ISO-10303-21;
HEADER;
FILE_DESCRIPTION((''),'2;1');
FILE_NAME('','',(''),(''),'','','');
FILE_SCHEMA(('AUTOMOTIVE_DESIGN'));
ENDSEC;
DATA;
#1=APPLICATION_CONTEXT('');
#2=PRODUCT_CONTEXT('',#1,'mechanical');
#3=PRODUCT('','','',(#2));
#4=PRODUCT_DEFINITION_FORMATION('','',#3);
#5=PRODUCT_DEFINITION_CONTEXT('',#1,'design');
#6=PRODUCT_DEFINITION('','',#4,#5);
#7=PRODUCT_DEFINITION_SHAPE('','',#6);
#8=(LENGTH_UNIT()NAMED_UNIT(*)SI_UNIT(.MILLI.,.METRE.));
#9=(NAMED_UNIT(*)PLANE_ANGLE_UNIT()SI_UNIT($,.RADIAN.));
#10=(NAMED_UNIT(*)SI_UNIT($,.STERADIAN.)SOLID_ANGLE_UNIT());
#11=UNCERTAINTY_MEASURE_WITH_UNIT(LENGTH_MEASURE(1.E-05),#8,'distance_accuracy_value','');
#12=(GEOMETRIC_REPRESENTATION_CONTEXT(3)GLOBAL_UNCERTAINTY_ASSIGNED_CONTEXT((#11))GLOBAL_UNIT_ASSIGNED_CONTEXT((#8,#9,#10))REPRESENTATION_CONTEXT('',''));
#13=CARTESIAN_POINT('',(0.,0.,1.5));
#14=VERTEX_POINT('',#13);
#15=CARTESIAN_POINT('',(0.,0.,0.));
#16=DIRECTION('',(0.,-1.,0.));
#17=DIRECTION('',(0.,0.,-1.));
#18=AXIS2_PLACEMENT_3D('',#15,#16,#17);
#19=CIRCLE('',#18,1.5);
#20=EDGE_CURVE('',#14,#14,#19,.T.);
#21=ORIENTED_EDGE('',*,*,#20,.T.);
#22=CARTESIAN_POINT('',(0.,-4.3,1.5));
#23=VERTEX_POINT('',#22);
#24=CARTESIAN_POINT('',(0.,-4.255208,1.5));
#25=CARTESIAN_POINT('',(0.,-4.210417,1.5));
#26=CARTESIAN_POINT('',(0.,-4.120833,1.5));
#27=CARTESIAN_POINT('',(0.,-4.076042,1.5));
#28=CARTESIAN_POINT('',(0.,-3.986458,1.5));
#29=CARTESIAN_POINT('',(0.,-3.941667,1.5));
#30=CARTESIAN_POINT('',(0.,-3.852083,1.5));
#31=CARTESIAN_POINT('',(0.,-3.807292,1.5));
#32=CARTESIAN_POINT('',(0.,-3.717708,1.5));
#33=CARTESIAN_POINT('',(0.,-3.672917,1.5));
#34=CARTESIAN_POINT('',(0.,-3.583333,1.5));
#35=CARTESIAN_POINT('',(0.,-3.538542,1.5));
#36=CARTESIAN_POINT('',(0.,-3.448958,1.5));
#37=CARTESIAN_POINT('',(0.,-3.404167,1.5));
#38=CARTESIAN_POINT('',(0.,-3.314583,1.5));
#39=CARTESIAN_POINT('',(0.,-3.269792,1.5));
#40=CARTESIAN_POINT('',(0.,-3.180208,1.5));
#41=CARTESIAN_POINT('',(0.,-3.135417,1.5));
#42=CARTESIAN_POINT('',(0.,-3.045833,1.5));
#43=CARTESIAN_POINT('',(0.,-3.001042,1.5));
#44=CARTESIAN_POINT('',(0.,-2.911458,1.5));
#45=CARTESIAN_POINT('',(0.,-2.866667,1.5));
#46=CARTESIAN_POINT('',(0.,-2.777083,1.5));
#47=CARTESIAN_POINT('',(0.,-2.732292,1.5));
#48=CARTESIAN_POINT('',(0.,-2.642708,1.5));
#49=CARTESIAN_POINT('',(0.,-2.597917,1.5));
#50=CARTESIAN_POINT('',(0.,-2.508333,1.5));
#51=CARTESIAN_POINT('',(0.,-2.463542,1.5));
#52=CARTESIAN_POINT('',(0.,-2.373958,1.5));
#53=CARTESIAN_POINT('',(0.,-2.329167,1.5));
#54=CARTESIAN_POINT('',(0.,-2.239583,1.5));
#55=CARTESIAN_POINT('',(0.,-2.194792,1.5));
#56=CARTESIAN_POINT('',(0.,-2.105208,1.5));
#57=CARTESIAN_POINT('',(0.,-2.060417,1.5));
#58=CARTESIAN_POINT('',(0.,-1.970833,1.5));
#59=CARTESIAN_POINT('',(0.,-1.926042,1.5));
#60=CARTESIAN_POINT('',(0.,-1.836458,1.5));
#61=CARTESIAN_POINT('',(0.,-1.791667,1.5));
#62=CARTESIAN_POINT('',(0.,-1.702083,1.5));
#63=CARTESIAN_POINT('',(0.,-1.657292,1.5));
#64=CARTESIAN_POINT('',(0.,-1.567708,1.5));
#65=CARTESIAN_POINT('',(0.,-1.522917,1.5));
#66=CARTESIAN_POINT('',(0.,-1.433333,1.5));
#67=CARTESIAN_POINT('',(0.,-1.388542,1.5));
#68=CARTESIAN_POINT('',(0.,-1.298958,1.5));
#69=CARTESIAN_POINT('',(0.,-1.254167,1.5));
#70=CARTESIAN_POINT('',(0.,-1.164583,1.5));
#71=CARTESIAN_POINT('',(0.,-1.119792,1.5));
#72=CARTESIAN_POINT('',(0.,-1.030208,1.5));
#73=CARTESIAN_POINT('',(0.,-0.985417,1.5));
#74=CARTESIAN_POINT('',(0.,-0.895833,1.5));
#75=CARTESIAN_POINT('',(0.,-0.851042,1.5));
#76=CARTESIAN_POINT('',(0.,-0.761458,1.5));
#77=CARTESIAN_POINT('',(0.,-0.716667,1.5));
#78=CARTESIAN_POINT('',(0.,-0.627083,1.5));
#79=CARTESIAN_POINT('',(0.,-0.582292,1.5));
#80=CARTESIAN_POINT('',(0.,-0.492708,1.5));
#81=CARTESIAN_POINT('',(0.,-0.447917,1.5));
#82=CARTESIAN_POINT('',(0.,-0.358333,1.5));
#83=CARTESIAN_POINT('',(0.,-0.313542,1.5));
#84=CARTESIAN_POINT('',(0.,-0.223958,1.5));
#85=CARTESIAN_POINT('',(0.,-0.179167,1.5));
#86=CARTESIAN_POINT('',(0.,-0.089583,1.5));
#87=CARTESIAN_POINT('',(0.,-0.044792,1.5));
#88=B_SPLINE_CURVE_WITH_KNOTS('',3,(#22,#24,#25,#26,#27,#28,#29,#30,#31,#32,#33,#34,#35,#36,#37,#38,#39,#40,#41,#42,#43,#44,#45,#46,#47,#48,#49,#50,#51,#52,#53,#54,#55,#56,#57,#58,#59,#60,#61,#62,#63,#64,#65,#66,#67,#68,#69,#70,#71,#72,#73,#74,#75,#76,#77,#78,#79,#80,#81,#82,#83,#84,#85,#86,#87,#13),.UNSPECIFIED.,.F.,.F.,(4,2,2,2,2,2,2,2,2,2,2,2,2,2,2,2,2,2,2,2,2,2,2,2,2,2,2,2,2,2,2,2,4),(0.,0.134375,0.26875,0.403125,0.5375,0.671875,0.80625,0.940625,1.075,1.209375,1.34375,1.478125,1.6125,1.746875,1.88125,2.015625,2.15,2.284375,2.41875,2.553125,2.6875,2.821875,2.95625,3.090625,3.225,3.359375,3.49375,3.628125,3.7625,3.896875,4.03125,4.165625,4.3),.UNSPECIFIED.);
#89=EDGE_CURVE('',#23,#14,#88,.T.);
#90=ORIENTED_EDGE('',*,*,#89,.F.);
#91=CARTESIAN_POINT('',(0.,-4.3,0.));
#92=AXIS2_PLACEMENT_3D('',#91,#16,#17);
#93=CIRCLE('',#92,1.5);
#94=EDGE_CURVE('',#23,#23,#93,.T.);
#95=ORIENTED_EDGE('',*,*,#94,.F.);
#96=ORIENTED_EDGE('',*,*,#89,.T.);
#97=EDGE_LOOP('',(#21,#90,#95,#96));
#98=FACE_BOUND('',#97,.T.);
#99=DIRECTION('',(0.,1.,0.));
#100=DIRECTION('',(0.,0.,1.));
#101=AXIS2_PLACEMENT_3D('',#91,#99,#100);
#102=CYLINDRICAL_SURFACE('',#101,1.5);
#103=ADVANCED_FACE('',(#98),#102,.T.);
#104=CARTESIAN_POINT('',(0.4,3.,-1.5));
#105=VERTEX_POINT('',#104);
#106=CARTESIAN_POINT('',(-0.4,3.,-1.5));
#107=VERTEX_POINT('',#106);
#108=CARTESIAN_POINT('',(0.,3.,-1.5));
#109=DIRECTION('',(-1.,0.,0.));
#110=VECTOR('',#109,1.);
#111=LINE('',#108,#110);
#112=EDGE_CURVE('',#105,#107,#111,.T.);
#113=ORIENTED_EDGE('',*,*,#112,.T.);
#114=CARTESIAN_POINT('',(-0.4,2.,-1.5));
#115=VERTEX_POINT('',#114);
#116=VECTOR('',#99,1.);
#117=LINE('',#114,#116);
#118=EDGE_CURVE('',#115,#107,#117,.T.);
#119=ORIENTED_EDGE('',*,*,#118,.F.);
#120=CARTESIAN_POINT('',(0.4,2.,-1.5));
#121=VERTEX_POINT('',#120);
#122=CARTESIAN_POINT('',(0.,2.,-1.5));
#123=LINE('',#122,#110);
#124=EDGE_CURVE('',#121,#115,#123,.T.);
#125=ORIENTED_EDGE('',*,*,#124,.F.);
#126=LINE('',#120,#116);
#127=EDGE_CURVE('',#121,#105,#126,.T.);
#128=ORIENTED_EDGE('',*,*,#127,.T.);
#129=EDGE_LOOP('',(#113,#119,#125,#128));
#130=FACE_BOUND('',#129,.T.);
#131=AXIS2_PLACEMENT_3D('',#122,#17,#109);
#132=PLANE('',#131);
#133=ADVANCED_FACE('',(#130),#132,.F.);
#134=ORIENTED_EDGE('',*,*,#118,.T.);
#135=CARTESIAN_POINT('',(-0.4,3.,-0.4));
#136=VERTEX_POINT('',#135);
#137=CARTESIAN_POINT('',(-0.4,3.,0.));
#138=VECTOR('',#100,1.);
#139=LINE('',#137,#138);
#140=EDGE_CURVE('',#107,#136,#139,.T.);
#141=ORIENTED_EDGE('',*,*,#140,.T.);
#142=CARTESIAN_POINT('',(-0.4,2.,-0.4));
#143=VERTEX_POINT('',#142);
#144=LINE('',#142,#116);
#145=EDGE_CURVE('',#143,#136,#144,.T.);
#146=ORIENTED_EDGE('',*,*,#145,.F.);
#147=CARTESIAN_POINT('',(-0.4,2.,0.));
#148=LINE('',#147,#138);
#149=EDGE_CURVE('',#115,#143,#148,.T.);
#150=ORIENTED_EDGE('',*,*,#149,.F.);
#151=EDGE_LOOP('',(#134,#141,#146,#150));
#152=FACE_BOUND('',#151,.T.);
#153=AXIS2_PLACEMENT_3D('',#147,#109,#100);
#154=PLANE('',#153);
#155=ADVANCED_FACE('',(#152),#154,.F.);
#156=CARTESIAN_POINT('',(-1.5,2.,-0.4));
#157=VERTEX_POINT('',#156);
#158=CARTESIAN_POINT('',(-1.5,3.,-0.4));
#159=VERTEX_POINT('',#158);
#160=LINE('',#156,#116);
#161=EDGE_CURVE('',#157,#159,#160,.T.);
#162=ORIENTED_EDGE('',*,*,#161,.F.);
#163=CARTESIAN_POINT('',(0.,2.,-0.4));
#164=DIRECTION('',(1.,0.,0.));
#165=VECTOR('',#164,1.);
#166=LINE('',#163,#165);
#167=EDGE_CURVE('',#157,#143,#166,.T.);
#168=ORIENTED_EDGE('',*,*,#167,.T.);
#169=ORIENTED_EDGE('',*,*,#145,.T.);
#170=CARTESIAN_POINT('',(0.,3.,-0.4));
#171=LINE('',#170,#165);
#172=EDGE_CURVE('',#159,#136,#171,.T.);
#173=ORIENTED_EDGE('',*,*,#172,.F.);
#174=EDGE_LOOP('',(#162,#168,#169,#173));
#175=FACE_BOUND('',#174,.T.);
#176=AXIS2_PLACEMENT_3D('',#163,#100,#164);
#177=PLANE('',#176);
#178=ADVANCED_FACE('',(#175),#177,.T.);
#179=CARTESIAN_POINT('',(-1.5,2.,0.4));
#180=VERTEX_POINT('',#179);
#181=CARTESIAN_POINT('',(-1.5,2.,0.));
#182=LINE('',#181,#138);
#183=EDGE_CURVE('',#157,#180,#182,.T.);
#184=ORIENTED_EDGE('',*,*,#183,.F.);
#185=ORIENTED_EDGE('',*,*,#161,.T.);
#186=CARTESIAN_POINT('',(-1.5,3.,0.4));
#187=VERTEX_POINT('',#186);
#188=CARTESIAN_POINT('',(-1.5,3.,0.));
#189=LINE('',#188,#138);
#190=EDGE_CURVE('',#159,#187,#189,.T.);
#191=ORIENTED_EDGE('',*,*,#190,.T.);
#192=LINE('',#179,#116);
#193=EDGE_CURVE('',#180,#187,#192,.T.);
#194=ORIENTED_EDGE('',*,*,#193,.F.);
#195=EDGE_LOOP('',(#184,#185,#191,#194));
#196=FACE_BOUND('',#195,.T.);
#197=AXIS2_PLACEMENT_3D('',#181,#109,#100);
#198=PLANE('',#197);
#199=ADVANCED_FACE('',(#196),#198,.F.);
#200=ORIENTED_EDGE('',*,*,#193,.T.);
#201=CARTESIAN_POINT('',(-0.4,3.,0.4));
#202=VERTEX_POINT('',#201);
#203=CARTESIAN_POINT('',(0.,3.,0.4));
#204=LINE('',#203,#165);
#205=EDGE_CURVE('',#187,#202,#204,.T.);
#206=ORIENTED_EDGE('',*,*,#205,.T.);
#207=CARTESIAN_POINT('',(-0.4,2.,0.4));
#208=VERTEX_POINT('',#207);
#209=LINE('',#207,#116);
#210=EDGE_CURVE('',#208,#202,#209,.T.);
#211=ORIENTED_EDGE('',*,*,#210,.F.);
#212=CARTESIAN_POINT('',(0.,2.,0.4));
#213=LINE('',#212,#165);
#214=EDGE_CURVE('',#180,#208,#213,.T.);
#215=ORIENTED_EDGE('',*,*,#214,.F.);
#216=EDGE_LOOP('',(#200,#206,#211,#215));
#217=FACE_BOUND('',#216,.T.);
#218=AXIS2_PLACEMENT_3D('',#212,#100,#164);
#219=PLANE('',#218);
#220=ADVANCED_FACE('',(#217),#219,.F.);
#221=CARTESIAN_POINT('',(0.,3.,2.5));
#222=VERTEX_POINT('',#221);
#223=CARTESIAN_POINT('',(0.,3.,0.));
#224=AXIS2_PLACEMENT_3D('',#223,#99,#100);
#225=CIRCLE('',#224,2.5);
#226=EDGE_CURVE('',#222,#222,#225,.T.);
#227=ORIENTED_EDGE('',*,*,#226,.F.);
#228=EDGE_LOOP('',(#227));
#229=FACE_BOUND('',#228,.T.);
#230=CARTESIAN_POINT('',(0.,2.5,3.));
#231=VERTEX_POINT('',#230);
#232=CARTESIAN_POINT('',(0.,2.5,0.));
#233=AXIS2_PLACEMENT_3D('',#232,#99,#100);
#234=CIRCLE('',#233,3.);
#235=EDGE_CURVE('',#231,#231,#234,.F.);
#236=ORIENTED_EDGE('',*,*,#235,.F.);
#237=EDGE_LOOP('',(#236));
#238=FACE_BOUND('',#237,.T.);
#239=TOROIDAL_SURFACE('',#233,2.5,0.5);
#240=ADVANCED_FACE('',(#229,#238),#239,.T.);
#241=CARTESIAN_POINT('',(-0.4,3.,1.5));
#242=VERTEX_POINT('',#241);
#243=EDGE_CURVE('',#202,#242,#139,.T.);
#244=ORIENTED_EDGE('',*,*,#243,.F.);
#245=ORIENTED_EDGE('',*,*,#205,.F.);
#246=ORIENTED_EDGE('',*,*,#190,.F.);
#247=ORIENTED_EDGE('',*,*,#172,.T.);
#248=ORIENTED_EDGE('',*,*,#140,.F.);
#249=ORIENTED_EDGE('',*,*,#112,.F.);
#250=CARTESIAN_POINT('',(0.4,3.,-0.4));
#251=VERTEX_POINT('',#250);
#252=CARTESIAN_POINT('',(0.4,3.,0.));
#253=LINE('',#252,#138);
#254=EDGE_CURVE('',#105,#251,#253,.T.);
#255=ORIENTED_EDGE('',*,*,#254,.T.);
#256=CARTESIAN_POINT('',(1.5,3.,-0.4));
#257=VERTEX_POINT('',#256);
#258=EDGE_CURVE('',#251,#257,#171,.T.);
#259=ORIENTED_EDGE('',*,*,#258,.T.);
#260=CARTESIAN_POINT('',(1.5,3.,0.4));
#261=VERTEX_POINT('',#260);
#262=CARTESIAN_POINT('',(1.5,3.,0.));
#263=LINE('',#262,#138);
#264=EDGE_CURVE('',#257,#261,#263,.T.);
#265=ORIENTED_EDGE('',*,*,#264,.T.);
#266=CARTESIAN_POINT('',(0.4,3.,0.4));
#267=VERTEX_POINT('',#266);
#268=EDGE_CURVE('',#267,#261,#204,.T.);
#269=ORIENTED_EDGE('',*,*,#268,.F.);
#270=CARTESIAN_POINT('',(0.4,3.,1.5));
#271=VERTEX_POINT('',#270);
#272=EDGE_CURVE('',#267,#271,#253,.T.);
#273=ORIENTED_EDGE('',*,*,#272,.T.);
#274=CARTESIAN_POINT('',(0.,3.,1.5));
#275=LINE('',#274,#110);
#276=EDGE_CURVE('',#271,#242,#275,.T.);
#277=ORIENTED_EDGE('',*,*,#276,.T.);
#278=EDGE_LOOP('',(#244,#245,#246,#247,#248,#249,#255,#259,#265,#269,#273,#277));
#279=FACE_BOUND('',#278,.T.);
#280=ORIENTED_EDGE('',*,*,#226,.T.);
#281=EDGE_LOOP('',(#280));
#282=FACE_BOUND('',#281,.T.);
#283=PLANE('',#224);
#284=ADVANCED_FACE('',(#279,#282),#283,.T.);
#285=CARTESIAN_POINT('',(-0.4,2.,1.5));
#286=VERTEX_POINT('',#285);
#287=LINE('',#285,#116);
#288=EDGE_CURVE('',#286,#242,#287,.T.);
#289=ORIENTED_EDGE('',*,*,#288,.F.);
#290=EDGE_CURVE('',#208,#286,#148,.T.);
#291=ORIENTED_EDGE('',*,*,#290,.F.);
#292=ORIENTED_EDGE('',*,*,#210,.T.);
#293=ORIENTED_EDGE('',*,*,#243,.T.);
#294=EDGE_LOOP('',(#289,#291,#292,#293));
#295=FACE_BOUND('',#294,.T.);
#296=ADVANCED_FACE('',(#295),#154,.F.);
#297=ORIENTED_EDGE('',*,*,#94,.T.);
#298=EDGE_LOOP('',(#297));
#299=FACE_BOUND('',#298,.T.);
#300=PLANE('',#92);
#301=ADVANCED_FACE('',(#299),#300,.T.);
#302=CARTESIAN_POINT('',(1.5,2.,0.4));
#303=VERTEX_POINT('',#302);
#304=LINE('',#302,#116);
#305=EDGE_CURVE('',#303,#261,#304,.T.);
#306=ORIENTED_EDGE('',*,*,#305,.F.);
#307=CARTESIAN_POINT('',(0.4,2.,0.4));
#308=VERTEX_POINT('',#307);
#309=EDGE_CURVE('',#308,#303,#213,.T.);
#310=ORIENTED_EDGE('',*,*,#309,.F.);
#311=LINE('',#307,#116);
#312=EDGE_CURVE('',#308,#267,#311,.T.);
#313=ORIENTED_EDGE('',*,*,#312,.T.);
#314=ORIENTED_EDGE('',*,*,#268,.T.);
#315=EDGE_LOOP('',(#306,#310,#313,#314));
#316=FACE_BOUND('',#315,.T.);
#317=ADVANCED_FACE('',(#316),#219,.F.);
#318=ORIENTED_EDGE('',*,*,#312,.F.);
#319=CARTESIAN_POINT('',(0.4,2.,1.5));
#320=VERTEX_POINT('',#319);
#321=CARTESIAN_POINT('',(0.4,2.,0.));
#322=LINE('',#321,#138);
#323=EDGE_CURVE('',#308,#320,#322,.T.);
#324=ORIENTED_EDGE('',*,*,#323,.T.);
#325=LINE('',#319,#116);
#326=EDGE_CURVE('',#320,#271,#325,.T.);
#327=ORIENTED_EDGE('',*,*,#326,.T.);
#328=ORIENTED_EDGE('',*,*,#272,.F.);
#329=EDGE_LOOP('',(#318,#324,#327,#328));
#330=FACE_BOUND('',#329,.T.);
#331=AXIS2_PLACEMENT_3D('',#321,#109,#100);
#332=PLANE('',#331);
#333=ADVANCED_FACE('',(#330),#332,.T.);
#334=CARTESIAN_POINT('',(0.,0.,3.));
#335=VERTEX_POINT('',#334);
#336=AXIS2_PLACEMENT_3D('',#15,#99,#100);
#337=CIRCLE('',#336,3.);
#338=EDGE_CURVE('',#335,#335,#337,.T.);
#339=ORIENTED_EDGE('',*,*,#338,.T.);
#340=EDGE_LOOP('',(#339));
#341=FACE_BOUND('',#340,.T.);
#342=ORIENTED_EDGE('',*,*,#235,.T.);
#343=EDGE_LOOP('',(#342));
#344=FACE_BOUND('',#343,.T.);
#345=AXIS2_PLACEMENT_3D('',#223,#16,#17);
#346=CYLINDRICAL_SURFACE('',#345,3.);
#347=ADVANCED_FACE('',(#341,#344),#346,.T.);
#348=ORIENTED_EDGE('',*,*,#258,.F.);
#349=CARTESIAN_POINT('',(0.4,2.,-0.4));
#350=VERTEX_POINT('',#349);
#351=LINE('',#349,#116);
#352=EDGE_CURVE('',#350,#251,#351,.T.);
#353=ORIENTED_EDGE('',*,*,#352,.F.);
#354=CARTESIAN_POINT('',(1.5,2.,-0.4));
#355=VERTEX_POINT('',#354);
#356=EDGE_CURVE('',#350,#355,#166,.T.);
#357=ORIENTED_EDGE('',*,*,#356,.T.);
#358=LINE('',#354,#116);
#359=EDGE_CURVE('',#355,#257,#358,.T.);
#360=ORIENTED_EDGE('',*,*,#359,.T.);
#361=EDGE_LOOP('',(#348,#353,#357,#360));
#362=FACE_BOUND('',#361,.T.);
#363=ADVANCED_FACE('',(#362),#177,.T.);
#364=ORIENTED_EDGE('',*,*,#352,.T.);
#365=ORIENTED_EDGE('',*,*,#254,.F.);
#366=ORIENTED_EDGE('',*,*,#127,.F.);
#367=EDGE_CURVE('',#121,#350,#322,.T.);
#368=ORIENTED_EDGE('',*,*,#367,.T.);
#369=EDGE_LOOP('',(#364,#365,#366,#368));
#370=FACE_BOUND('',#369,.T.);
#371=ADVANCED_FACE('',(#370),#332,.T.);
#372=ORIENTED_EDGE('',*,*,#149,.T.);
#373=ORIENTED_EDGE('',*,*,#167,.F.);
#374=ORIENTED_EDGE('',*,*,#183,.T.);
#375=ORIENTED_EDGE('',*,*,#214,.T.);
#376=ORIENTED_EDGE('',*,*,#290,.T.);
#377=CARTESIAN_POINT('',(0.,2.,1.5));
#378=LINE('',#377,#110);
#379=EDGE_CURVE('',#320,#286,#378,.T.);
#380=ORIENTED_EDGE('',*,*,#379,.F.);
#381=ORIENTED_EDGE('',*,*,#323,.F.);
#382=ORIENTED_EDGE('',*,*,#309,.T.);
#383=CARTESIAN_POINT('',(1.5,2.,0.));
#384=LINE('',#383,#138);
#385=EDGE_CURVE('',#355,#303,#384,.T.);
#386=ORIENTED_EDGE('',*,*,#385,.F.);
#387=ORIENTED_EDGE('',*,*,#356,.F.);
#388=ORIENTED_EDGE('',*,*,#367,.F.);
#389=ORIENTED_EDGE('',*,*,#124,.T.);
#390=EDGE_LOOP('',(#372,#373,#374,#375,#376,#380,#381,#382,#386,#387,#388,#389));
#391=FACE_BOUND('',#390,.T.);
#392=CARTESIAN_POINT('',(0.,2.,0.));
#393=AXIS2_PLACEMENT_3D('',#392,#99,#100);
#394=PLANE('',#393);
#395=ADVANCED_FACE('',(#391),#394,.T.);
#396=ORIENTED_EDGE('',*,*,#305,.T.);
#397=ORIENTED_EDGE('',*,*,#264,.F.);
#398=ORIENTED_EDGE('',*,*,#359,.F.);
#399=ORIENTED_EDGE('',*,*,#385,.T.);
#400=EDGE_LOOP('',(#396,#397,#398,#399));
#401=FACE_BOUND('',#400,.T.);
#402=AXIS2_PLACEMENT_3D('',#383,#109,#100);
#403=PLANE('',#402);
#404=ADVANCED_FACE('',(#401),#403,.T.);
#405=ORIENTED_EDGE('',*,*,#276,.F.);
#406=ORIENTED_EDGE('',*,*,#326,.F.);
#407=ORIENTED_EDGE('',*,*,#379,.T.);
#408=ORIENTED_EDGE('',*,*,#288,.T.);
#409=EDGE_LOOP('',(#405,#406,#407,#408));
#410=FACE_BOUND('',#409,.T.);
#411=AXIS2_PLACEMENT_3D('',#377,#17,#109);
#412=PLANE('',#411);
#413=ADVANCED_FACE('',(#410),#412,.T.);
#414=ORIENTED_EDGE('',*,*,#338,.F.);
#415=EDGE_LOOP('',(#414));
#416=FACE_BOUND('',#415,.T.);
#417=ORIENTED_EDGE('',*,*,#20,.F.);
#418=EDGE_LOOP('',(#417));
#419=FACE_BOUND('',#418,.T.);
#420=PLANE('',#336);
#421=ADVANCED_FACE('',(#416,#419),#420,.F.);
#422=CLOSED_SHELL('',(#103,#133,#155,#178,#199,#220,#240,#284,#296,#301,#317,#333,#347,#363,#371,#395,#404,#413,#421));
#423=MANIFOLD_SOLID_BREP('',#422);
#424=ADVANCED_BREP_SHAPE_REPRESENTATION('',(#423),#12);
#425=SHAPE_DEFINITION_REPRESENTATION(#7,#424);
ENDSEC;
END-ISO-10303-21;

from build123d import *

# Parameters (mm, degrees)
SKETCH1_R           = 3
BOSS_EXTRUDE1_DEPTH = 3
SKETCH2_R           = 1.5
BOSS_EXTRUDE2_DEPTH = 4.3
FILLET1_R           = 0.5
SKETCH3_W           = 0.8
SKETCH3_H           = 1.1
SKETCH3_W_2         = 1.1
SKETCH3_H_2         = 0.8
CUT_EXTRUDE1_DEPTH  = 1


with BuildPart() as part:
    # Sketch1 → Boss-Extrude1 (new body)
    with BuildSketch(Plane(origin=(0, 0, 0), x_dir=(1, 0, 0), z_dir=(0, 1, 0))):
        with Locations(Location((0, 0, 0), (0, 0, 270))):
            Circle(SKETCH1_R)
    extrude(amount=BOSS_EXTRUDE1_DEPTH)

    # Sketch2 → Boss-Extrude2 (add)
    with BuildSketch(Plane.XZ):
        with Locations(Location((0, 0, 0), (0, 0, 90))):
            Circle(SKETCH2_R)
    extrude(amount=BOSS_EXTRUDE2_DEPTH)

    # Fillet1
    fillet1_edges = [part.edges().sort_by_distance(p)[0] for p in [
        (0, 3, -3),
    ]]
    fillet(fillet1_edges, radius=FILLET1_R)

    # Sketch3 → Cut-Extrude1 (cut)
    with BuildSketch(Plane(origin=(0, 3, 0), x_dir=(1, 0, 0), z_dir=(0, 1, 0))):
        with Locations((0, 0.95)):
            Rectangle(SKETCH3_W, SKETCH3_H)
        with Locations((0.95, 0)):
            Rectangle(SKETCH3_W_2, SKETCH3_H_2)
        with Locations((0, -0.95)):
            Rectangle(SKETCH3_W, SKETCH3_H)
        with Locations((-0.95, 0)):
            Rectangle(SKETCH3_W_2, SKETCH3_H_2)
        Rectangle(SKETCH3_W, SKETCH3_H_2)
    extrude(amount=-CUT_EXTRUDE1_DEPTH, mode=Mode.SUBTRACT)


solid = part.part
